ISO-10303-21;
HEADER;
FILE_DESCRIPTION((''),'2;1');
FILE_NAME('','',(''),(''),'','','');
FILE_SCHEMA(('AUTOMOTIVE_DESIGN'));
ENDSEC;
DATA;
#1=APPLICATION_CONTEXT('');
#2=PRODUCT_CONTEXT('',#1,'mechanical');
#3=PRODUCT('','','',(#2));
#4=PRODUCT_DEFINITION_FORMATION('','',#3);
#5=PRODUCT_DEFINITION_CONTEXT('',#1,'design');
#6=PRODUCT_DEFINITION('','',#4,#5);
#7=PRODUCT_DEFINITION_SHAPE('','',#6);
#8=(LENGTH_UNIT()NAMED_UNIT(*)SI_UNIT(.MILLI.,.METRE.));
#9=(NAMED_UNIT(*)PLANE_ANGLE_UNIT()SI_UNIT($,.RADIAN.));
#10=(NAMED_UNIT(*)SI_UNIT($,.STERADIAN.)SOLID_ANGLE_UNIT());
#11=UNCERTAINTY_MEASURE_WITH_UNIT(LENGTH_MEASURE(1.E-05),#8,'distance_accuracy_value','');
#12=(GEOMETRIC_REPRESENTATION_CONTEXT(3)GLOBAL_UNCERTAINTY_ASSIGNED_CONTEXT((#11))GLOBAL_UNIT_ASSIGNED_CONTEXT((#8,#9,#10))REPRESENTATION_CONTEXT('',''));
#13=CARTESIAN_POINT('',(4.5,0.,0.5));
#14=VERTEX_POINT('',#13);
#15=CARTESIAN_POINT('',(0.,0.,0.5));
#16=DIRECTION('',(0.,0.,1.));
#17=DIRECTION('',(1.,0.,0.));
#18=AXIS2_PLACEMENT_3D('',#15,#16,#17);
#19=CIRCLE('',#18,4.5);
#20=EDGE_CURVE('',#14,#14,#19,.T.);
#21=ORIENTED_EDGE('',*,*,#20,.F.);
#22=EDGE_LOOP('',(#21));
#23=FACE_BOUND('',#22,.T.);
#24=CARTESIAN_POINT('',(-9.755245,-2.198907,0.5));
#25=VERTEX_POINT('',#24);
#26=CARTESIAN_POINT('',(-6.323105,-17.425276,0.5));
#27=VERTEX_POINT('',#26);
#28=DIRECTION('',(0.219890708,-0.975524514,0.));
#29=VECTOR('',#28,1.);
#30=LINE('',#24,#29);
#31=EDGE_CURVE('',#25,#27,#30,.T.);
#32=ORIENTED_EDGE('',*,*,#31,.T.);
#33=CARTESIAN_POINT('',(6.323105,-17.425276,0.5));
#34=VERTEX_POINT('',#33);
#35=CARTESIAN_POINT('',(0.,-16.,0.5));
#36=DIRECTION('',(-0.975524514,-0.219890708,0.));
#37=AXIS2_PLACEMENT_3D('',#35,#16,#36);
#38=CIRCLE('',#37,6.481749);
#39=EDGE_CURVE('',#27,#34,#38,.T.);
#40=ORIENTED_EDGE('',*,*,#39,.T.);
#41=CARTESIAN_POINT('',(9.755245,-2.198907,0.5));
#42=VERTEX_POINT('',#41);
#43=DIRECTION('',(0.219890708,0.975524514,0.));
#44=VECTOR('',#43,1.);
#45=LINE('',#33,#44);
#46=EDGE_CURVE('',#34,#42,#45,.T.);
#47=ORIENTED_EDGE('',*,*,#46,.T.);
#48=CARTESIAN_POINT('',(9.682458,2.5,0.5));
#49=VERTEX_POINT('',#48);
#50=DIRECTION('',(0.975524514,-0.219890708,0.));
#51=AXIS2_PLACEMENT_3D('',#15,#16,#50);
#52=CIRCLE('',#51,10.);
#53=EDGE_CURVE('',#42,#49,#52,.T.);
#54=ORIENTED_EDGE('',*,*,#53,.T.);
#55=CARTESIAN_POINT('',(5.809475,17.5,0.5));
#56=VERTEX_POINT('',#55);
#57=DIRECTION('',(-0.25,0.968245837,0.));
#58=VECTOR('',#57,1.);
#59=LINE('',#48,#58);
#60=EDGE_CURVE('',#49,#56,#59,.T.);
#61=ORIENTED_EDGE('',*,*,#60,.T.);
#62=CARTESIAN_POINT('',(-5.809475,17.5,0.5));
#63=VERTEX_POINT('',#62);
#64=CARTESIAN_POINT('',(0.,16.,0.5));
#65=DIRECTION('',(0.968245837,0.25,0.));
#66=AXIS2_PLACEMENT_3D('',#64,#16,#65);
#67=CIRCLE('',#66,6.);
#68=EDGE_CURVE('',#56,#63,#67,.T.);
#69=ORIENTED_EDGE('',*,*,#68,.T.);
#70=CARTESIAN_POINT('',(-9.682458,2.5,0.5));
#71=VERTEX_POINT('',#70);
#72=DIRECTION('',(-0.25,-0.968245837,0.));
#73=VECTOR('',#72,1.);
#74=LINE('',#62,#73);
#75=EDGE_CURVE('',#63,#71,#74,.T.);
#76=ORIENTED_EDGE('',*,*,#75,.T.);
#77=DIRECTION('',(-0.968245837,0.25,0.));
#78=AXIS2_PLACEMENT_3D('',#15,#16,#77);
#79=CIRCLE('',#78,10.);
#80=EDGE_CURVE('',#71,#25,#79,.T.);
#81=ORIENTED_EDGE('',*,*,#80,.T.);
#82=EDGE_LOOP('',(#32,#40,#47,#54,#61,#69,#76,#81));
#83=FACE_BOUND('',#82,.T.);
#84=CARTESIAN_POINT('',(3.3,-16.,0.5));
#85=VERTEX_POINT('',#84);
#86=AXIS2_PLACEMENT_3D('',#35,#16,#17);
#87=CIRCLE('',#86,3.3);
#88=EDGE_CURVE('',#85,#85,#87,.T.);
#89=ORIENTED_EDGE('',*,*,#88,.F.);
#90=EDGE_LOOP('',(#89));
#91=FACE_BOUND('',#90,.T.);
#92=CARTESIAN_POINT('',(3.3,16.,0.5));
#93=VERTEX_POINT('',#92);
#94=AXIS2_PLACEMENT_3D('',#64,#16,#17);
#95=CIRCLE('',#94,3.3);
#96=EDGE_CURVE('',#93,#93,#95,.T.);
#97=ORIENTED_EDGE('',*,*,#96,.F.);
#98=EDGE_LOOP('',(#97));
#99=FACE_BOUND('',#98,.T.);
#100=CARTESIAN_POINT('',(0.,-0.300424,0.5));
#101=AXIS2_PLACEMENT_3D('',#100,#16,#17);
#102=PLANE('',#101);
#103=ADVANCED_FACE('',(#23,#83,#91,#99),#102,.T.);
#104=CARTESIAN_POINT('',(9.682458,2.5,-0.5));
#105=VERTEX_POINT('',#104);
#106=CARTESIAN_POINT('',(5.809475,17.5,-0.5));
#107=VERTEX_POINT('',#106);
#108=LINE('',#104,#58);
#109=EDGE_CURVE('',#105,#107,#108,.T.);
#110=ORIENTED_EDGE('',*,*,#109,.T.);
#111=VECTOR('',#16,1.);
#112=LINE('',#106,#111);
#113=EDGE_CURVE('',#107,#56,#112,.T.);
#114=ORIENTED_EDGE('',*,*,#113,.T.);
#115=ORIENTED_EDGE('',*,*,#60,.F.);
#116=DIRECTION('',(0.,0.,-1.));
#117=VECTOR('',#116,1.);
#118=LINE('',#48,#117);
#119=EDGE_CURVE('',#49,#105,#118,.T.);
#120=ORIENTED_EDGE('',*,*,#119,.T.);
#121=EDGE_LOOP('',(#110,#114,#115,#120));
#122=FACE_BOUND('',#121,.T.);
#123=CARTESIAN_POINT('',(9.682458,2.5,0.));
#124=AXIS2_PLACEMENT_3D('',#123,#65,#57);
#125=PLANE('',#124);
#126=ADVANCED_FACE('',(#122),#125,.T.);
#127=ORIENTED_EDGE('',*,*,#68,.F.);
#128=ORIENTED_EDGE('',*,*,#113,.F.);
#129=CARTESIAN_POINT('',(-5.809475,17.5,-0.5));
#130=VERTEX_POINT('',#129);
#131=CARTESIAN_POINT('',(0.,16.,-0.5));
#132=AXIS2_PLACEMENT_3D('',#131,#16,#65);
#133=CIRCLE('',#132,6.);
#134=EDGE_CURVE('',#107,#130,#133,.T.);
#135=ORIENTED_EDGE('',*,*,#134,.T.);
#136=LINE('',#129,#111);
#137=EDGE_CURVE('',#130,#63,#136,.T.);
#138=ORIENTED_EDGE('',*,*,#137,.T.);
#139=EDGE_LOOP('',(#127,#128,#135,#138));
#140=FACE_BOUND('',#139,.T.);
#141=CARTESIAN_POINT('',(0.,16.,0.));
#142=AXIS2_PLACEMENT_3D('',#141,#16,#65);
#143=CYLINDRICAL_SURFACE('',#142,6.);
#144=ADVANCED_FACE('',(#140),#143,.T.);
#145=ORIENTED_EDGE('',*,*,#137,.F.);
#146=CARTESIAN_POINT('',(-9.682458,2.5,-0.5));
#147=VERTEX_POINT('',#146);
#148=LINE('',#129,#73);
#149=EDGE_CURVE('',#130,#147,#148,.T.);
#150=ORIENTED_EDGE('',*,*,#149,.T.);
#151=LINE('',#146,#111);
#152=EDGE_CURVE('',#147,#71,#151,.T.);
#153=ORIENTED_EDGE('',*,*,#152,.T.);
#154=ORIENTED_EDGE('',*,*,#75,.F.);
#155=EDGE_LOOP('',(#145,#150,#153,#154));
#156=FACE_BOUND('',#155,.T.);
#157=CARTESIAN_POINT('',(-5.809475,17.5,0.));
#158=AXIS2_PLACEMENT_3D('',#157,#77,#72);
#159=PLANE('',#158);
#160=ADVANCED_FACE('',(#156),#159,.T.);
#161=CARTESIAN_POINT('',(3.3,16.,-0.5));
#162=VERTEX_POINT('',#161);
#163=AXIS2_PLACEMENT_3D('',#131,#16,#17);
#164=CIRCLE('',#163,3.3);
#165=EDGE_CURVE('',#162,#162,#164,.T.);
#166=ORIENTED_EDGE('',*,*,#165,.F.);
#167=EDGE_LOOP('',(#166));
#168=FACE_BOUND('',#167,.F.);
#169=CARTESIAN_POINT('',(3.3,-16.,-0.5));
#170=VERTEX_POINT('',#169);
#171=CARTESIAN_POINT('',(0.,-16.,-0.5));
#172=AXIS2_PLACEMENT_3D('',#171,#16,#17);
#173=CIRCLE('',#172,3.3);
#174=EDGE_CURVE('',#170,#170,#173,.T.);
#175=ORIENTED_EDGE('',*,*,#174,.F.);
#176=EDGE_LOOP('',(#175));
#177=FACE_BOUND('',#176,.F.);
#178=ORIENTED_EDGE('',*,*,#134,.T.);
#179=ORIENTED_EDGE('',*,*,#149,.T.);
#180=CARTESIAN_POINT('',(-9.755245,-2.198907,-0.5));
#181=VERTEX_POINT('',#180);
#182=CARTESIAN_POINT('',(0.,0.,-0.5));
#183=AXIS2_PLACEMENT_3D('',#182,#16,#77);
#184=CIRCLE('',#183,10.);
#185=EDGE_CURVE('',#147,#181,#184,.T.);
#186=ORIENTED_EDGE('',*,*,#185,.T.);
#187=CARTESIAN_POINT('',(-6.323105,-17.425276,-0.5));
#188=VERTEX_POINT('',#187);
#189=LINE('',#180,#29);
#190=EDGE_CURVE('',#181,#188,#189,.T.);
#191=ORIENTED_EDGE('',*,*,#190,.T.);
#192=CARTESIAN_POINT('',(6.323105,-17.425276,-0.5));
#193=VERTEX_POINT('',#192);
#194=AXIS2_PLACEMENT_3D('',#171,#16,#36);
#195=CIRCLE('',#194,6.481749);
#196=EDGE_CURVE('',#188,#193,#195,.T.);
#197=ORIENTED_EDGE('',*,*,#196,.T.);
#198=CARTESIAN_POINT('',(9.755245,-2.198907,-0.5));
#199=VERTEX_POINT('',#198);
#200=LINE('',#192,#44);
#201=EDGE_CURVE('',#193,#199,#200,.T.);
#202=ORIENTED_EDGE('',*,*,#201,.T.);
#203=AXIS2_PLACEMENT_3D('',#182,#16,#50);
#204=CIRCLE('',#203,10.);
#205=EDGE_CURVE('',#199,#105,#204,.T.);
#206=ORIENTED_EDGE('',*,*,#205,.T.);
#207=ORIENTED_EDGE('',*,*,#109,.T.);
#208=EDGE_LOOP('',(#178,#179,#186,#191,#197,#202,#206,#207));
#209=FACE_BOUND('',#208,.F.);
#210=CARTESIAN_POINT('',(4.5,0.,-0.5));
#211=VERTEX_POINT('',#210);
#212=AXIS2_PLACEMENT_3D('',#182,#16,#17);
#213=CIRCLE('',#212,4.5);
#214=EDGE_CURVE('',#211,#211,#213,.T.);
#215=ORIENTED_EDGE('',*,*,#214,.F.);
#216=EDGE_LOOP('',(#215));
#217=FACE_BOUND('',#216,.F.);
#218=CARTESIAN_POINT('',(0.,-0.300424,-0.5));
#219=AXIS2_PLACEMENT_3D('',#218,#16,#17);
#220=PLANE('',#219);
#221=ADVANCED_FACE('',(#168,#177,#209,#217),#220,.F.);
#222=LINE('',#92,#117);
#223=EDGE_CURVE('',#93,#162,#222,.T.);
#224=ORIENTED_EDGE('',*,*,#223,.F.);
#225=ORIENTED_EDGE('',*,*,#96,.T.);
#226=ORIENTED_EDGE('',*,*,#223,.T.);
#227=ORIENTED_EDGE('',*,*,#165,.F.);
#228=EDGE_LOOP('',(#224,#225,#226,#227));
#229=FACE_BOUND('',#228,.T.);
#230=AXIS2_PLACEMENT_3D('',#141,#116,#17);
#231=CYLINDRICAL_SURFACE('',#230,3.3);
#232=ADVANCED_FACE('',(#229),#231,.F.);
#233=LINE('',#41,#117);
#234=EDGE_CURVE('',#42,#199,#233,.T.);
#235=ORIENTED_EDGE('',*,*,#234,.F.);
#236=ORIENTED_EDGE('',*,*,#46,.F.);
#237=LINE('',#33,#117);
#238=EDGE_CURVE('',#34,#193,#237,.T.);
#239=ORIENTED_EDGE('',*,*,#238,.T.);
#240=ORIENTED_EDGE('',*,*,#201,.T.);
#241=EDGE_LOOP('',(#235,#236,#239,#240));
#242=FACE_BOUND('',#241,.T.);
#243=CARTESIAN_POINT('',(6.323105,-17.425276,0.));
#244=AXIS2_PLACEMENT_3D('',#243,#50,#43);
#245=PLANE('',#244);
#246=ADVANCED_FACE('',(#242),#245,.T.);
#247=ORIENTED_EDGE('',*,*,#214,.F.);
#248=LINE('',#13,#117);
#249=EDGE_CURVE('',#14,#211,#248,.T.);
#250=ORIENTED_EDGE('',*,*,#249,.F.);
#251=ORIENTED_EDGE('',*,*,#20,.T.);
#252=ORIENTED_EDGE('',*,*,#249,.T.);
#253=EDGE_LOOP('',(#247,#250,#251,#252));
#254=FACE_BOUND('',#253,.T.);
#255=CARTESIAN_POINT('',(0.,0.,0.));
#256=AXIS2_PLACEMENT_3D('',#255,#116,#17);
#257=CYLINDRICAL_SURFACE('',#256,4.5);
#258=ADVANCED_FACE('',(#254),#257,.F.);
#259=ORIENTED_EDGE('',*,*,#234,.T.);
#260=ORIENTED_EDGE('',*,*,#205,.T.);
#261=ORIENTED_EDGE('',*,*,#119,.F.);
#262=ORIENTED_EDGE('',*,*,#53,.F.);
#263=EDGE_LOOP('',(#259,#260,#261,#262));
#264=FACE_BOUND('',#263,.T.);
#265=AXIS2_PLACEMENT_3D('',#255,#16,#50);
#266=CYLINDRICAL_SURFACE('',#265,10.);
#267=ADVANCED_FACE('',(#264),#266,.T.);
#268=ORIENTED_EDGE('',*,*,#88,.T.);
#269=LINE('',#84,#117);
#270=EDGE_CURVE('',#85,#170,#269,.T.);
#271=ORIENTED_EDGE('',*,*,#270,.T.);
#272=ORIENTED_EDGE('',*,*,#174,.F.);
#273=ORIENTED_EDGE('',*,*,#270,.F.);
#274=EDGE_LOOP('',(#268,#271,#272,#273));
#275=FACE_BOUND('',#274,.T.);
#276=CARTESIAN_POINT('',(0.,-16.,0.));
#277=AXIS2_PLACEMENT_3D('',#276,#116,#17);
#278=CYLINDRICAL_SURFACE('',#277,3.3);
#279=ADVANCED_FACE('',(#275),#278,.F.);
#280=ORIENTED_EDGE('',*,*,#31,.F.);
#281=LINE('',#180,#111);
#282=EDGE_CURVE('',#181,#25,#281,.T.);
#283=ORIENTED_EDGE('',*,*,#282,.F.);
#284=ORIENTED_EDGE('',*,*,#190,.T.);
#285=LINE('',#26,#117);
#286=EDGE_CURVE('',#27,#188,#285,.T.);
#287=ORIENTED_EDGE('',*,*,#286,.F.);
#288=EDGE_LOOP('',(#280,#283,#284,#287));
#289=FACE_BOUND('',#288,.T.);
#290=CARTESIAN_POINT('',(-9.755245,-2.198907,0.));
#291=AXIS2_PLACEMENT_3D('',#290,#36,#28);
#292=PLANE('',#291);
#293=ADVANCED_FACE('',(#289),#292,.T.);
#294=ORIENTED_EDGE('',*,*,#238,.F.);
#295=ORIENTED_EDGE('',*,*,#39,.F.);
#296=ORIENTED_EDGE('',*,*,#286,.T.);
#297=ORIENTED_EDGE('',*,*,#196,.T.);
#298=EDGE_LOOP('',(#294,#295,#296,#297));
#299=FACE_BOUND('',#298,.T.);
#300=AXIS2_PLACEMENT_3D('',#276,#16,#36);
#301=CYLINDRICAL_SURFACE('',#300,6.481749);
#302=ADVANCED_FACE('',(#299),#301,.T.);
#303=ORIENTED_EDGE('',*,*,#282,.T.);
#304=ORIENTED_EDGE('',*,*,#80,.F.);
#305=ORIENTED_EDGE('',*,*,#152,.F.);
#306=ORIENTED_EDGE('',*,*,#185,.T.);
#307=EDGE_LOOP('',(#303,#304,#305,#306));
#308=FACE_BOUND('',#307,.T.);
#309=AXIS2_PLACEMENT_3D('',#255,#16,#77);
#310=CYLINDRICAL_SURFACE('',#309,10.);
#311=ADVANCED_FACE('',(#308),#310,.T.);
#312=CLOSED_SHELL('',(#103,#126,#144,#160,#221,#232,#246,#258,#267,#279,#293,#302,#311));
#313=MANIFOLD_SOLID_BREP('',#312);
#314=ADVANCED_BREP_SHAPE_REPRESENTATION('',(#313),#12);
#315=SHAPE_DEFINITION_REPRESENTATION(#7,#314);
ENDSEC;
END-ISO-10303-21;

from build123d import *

# Parameters (mm, degrees)
F0_R     = 3.3
F0_R_2   = 4.5
F1_DEPTH = 0.5


with BuildPart() as f1:
    # F0 (on Top) → F1 (new body, symmetric)
    with BuildSketch(Plane.XY):
        with BuildLine():
            Line((9.6824583655, 2.5), (5.8094750193, 17.5))
            ThreePointArc((5.8094750193, 17.5), (0, 22), (-5.8094750193, 17.5))
            Line((-5.8094750193, 17.5), (-9.6824583655, 2.5))
            ThreePointArc((-9.6824583655, 2.5), (-9.9988004923, 0.1548829074), (-9.7552451354, -2.1989070806))
            Line((-9.7552451354, -2.1989070806), (-6.3231047192, -17.4252763047))
            ThreePointArc((-6.3231047192, -17.4252763047), (0, -22.4817486711), (6.3231047192, -17.4252763047))
            Line((6.3231047192, -17.4252763047), (9.7552451354, -2.1989070806))
            ThreePointArc((9.7552451354, -2.1989070806), (9.9988004923, 0.1548829074), (9.6824583655, 2.5))
        make_face()
        with Locations((0, -16)):
            Circle(F0_R, mode=Mode.SUBTRACT)
        Circle(F0_R_2, mode=Mode.SUBTRACT)
        with Locations((0, 16)):
            Circle(F0_R, mode=Mode.SUBTRACT)
    extrude(amount=F1_DEPTH, both=True)


solid = f1.part
